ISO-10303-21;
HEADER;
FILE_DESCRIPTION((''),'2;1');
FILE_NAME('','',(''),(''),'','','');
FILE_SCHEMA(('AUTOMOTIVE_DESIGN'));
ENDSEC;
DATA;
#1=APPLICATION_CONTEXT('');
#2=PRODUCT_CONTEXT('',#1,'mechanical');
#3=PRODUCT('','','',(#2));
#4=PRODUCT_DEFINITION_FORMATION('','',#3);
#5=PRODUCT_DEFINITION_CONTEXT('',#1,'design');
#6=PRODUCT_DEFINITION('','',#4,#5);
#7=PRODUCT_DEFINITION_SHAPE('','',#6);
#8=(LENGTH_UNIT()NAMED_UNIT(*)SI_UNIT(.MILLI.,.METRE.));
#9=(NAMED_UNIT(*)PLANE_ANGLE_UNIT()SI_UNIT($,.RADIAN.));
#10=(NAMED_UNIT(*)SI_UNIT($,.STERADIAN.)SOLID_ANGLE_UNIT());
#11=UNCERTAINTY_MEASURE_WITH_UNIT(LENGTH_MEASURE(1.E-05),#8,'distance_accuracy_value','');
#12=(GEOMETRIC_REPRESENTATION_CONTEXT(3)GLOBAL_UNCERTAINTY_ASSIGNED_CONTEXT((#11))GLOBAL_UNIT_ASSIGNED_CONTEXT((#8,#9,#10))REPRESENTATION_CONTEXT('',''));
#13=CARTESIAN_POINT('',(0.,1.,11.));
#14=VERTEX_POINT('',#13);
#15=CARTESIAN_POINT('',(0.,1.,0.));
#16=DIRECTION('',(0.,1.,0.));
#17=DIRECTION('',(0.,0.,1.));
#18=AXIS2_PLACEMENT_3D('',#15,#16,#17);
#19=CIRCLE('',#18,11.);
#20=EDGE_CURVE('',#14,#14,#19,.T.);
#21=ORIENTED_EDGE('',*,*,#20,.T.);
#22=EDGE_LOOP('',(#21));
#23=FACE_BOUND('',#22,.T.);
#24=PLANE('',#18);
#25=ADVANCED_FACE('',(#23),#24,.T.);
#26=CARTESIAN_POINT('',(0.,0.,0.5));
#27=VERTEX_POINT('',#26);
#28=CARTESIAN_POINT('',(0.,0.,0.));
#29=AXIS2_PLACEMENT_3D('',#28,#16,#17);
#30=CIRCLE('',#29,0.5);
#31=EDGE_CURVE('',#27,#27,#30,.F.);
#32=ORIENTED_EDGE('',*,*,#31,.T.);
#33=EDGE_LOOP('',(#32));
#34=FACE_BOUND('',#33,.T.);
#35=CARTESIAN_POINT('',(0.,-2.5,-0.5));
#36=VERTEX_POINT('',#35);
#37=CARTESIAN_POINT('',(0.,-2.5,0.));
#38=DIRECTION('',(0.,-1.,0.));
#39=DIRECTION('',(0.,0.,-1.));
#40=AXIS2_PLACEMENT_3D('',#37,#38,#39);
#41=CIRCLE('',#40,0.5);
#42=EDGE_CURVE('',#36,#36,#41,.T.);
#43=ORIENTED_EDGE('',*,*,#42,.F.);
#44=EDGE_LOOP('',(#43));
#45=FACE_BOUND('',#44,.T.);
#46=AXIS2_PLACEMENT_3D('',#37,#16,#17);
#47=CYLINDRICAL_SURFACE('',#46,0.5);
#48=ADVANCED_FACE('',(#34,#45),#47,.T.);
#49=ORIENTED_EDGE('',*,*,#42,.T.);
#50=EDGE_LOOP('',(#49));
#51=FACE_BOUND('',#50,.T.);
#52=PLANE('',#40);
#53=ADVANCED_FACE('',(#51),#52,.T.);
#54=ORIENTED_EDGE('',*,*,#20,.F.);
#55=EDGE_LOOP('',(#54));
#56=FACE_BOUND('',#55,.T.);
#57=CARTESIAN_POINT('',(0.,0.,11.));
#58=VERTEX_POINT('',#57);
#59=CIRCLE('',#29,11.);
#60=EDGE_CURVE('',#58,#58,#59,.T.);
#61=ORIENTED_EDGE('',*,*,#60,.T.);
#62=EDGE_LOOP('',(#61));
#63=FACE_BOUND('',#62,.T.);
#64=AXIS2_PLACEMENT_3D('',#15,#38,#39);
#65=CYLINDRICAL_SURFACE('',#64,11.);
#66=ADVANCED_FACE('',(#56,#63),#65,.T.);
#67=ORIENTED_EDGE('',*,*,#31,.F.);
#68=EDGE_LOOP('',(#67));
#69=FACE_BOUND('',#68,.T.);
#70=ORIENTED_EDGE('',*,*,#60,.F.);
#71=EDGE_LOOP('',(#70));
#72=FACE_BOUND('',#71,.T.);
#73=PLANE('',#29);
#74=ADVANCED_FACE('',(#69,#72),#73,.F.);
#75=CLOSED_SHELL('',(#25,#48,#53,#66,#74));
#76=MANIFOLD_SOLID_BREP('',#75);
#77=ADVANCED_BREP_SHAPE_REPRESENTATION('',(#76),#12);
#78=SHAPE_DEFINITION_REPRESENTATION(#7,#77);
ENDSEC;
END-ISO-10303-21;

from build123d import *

# Parameters (mm, degrees)
SKETCH1_R           = 11
BOSS_EXTRUDE1_DEPTH = 1
SKETCH2_R           = 0.5
BOSS_EXTRUDE2_DEPTH = 2.5


with BuildPart() as part:
    # Sketch1 → Boss-Extrude1 (new body)
    with BuildSketch(Plane(origin=(0, 0, 0), x_dir=(1, 0, 0), z_dir=(0, 1, 0))):
        Circle(SKETCH1_R)
    extrude(amount=BOSS_EXTRUDE1_DEPTH)

    # Sketch2 → Boss-Extrude2 (add)
    with BuildSketch(Plane.XZ):
        Circle(SKETCH2_R)
    extrude(amount=BOSS_EXTRUDE2_DEPTH)


solid = part.part
